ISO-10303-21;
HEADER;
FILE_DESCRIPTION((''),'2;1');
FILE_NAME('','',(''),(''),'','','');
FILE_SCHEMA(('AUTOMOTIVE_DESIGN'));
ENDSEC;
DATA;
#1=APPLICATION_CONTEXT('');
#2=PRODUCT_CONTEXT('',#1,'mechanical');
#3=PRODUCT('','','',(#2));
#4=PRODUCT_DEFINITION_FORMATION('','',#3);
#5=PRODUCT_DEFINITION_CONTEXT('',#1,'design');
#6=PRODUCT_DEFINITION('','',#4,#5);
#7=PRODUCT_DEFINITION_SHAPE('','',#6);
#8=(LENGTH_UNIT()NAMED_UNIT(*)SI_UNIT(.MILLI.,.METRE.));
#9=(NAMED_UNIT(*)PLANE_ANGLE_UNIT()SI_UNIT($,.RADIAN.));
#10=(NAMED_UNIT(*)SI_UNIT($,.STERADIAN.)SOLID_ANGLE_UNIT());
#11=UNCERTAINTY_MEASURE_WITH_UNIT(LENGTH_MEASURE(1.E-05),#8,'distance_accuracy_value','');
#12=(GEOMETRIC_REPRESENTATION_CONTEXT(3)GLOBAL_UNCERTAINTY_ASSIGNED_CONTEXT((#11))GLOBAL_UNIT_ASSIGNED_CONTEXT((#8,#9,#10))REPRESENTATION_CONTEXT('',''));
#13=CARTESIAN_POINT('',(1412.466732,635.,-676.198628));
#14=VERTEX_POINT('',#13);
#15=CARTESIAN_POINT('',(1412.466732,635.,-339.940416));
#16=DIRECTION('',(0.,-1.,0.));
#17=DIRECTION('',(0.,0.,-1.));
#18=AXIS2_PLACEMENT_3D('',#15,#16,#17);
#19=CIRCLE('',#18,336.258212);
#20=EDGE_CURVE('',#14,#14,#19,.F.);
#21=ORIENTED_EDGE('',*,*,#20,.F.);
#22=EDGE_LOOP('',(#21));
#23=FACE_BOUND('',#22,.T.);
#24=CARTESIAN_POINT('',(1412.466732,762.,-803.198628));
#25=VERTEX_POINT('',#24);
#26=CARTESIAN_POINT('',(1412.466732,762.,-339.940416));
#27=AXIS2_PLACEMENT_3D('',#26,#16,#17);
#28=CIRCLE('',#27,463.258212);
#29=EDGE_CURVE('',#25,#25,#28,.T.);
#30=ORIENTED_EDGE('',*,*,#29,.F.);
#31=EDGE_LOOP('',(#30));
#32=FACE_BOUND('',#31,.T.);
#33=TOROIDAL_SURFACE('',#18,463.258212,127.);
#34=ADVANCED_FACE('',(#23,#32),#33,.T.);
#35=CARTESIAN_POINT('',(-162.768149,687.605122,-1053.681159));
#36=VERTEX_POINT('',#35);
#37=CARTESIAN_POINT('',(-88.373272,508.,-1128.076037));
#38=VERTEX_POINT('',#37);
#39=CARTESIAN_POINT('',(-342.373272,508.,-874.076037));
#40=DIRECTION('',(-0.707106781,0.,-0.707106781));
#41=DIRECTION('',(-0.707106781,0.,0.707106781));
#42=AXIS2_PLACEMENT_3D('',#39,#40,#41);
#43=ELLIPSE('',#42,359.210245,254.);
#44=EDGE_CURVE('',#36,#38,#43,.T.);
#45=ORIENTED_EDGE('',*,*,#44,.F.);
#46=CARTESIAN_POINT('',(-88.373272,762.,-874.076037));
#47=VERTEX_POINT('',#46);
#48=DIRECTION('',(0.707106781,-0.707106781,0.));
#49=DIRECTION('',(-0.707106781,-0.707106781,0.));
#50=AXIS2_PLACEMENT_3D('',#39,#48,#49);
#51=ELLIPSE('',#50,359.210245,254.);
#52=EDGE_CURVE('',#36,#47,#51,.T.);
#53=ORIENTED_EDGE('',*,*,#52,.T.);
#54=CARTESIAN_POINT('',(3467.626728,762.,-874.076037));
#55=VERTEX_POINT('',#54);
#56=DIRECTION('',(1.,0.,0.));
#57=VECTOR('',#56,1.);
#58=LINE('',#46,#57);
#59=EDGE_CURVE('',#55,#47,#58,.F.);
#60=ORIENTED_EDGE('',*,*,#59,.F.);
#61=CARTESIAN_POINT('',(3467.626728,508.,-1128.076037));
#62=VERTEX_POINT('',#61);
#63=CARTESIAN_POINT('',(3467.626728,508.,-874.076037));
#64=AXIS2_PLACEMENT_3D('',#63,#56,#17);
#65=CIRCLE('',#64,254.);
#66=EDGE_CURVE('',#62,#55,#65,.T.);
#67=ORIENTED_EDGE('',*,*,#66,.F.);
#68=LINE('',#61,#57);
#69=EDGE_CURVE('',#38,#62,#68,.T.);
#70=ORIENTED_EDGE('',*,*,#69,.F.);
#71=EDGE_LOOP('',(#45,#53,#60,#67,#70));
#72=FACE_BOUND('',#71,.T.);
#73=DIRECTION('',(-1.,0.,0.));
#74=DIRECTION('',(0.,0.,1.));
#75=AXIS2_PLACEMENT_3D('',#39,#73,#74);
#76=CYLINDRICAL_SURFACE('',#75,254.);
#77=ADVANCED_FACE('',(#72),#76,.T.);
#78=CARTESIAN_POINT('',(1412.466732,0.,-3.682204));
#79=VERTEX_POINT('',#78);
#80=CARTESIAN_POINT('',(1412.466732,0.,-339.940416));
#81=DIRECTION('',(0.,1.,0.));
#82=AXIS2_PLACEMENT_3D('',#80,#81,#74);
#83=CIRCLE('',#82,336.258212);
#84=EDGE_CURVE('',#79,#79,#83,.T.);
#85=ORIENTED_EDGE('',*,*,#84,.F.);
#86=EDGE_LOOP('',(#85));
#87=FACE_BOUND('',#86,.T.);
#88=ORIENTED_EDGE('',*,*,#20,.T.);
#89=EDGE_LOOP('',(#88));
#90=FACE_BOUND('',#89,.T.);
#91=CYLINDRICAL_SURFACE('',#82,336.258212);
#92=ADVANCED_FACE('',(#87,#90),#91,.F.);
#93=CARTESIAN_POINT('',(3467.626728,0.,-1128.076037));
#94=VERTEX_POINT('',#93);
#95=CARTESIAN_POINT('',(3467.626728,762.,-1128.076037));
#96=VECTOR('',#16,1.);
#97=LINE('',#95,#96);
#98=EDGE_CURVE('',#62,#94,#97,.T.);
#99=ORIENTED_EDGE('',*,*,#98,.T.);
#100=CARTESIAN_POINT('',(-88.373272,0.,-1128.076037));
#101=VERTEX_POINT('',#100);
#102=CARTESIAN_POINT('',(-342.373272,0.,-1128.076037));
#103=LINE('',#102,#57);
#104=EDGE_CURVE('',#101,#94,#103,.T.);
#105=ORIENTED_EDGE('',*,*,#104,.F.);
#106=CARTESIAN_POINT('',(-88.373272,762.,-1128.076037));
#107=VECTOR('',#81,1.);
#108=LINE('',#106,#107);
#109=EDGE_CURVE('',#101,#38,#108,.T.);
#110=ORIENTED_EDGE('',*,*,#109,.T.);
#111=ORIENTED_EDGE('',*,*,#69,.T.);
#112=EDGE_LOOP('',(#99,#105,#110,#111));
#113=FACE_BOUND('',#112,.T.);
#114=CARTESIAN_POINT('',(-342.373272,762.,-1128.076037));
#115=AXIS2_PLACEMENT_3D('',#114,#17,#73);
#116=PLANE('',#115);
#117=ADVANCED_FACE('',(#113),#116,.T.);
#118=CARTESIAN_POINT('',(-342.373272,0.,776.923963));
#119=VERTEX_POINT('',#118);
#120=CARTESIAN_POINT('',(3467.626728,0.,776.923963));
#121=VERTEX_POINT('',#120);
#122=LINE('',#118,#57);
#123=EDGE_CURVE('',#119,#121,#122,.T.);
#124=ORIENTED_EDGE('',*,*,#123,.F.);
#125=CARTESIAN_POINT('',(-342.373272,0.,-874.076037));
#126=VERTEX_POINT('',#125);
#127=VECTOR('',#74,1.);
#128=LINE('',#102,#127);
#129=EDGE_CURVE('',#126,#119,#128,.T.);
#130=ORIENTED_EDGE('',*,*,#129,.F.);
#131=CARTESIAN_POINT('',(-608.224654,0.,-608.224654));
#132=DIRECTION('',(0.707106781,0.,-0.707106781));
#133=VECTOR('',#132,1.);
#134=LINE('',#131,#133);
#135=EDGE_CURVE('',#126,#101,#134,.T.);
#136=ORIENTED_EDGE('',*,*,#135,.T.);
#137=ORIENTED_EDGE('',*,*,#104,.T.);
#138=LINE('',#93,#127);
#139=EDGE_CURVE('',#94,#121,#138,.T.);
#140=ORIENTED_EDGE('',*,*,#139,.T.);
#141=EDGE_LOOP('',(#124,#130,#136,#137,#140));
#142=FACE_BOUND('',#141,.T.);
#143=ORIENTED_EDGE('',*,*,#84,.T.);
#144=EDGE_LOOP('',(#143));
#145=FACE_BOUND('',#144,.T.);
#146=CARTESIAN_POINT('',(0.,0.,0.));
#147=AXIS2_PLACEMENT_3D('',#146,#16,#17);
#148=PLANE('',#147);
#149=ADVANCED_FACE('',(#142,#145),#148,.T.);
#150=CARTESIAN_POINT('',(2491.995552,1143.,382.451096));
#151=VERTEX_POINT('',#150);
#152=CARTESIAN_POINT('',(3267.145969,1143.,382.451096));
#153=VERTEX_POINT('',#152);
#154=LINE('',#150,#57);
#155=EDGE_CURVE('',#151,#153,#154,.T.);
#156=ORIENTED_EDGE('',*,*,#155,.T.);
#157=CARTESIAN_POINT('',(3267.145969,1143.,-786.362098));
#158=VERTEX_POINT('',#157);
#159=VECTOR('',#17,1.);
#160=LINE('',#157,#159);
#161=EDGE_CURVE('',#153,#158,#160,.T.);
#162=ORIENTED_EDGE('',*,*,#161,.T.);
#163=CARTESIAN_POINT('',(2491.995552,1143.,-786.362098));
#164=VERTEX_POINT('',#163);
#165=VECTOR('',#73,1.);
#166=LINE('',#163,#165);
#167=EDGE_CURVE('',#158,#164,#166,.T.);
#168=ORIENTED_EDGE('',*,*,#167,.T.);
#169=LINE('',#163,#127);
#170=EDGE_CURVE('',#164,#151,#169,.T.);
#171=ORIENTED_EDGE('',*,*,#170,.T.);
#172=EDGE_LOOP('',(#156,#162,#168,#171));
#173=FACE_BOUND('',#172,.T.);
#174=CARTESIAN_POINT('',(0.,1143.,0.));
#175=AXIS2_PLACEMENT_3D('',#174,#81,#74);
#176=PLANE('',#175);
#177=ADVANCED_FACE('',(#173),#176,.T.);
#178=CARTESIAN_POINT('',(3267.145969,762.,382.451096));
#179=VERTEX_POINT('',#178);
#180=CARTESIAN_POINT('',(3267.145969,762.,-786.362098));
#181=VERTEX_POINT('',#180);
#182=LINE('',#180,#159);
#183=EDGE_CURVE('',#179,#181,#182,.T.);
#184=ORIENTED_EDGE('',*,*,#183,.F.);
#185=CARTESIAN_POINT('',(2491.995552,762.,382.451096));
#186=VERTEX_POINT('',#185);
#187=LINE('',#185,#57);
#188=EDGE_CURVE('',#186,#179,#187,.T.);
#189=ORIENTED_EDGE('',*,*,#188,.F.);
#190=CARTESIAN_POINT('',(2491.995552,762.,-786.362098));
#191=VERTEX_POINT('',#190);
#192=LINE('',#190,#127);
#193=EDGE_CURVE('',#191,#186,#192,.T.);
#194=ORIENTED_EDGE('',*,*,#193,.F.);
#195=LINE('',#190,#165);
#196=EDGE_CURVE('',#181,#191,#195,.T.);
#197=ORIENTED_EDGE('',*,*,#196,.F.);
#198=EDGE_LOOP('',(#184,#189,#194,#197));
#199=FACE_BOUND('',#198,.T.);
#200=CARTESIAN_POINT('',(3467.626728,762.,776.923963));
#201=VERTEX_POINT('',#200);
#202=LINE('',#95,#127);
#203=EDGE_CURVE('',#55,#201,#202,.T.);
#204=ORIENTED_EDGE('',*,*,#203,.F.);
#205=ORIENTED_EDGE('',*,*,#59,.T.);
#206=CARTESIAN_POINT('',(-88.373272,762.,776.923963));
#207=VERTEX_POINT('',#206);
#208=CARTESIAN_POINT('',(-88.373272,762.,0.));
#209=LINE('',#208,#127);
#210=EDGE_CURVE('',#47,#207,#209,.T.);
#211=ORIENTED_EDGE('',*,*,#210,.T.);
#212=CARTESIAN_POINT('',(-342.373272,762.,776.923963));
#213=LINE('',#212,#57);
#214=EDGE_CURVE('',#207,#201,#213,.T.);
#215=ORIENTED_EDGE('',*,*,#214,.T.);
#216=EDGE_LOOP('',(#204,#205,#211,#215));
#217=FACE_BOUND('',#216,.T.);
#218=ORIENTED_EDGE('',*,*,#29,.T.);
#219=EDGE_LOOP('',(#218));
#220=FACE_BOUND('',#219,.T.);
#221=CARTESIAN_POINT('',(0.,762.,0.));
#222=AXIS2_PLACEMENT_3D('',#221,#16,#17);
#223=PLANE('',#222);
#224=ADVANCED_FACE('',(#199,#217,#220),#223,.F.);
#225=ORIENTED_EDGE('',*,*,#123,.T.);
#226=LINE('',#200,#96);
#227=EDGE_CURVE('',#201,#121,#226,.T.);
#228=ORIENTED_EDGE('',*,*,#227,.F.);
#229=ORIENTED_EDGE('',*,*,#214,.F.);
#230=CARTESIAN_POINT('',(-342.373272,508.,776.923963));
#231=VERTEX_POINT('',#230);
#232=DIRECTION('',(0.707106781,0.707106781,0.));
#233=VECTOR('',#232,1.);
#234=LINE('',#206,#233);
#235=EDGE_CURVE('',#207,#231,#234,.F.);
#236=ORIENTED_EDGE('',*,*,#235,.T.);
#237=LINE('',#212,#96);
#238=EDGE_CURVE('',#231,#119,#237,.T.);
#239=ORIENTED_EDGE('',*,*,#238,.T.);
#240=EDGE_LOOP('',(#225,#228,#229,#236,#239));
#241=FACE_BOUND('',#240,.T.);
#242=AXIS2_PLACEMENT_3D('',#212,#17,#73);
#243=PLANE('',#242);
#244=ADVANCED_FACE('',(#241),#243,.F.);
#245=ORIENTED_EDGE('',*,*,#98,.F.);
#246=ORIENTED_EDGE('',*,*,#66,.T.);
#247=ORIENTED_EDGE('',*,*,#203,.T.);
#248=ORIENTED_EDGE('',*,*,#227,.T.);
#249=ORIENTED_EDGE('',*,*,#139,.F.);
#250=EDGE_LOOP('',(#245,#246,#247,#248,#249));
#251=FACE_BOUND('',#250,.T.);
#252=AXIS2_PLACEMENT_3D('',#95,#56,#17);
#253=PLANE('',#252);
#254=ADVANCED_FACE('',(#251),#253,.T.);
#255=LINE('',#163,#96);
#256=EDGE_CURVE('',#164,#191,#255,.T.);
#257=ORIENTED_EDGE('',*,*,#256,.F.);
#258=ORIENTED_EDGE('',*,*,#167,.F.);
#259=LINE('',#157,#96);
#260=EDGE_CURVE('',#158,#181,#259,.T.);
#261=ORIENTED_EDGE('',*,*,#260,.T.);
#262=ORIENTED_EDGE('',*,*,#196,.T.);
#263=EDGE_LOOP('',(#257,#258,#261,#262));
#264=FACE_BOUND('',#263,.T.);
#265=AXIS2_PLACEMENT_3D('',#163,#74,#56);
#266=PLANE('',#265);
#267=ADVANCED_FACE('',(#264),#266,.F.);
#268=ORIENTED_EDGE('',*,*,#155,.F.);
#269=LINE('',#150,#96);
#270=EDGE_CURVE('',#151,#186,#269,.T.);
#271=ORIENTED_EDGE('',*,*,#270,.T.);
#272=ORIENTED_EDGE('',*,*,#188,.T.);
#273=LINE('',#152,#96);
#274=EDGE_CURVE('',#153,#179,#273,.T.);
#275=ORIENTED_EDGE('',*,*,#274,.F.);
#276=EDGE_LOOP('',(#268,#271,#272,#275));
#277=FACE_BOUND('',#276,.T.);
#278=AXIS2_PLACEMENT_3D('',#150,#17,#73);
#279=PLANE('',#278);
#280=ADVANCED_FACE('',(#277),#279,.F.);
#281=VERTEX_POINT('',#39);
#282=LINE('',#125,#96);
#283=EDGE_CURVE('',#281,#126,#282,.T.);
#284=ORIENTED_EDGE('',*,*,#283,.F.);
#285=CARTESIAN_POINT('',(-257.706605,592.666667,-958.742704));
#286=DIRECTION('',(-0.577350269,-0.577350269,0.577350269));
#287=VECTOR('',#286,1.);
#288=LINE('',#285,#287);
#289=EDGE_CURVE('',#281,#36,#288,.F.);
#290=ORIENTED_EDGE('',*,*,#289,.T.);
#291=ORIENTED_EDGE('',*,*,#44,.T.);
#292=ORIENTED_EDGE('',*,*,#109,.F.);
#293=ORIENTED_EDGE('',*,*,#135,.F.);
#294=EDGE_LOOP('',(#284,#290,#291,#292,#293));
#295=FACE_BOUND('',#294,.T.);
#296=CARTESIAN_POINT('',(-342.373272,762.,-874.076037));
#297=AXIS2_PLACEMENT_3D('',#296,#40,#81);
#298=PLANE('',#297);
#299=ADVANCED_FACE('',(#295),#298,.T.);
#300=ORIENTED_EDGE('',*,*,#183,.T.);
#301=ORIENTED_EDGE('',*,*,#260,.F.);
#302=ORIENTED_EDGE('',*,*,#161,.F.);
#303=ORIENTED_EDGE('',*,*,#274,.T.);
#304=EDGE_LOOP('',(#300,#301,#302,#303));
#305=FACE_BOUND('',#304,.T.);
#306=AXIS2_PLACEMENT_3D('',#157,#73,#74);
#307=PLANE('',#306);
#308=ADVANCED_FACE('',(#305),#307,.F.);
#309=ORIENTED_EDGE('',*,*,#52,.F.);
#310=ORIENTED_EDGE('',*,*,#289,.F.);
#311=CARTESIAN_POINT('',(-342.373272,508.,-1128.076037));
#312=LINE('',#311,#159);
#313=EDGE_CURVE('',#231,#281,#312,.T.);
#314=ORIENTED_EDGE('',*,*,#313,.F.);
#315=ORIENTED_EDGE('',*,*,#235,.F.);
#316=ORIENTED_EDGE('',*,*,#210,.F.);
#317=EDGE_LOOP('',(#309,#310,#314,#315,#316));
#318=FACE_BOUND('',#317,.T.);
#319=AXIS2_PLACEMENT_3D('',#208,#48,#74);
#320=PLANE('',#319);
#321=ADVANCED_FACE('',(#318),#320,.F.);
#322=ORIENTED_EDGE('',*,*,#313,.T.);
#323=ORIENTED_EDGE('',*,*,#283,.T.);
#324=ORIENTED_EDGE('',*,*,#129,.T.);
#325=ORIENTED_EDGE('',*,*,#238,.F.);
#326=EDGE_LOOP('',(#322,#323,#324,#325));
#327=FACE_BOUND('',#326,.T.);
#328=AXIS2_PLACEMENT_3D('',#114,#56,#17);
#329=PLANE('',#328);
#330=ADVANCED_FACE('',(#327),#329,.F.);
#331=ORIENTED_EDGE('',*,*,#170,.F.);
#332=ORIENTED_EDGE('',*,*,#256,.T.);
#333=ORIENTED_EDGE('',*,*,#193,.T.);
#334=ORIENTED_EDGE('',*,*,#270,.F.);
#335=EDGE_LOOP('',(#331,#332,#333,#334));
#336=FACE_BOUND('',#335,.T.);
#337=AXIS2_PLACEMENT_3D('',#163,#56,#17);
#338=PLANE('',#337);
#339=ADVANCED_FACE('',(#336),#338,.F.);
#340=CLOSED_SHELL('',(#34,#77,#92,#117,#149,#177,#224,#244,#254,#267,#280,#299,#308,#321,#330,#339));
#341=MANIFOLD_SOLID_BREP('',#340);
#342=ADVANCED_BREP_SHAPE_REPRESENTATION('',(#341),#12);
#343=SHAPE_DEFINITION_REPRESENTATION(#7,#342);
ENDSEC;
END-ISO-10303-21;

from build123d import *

# Parameters (mm, degrees)
SKETCH1_W           = 3810
SKETCH1_H           = 1905
BOSS_EXTRUDE1_DEPTH = 762
SKETCH2_R           = 336.258211588
CUT_EXTRUDE1_DEPTH  = 763
SKETCH3_W           = 775.150416673
SKETCH3_H           = 1168.813193726
BOSS_EXTRUDE2_DEPTH = 381
FILLET1_R           = 127
CHAMFER3_SIZE       = 254
FILLET3_R           = 254
CHAMFER4_SIZE       = 254


with BuildPart() as part:
    # Sketch1 → Boss-Extrude1 (new body)
    with BuildSketch(Plane(origin=(0, 0, 0), x_dir=(1, 0, 0), z_dir=(0, 1, 0))):
        with Locations((1562.626728111, 175.576036866)):
            Rectangle(SKETCH1_W, SKETCH1_H)
    extrude(amount=BOSS_EXTRUDE1_DEPTH)

    # Sketch2 → Cut-Extrude1 (cut, through all)
    with BuildSketch(Plane(origin=(0, 762, 0), x_dir=(1, 0, 0), z_dir=(0, 1, 0))):
        with Locations((1412.4667322, 339.940416015)):
            Circle(SKETCH2_R)
    extrude(amount=-CUT_EXTRUDE1_DEPTH, mode=Mode.SUBTRACT)

    # Sketch3 → Boss-Extrude2 (add)
    with BuildSketch(Plane(origin=(0, 762, 0), x_dir=(1, 0, 0), z_dir=(0, 1, 0))):
        with Locations((2879.570760626, 201.955501308)):
            Rectangle(SKETCH3_W, SKETCH3_H)
    extrude(amount=BOSS_EXTRUDE2_DEPTH)

    # Fillet1
    fillet1_edges = [part.edges().sort_by_distance(p)[0] for p in [
        (1076.208520612, 762, -339.940416015),
    ]]
    fillet(fillet1_edges, radius=FILLET1_R)

    # Chamfer3
    chamfer3_edges = [part.edges().sort_by_distance(p)[0] for p in [
        (-342.373271889, 381, -1128.076036866),
    ]]
    chamfer(chamfer3_edges, length=CHAMFER3_SIZE)

    # Fillet3
    fillet3_edges = [part.edges().sort_by_distance(p)[0] for p in [
        (1689.626728111, 762, -1128.076036866),
    ]]
    fillet(fillet3_edges, radius=FILLET3_R)

    # Chamfer4
    chamfer4_edges = [part.edges().sort_by_distance(p)[0] for p in [
        (-342.373271889, 762, -48.576036866),
    ]]
    chamfer(chamfer4_edges, length=CHAMFER4_SIZE)


solid = part.part
